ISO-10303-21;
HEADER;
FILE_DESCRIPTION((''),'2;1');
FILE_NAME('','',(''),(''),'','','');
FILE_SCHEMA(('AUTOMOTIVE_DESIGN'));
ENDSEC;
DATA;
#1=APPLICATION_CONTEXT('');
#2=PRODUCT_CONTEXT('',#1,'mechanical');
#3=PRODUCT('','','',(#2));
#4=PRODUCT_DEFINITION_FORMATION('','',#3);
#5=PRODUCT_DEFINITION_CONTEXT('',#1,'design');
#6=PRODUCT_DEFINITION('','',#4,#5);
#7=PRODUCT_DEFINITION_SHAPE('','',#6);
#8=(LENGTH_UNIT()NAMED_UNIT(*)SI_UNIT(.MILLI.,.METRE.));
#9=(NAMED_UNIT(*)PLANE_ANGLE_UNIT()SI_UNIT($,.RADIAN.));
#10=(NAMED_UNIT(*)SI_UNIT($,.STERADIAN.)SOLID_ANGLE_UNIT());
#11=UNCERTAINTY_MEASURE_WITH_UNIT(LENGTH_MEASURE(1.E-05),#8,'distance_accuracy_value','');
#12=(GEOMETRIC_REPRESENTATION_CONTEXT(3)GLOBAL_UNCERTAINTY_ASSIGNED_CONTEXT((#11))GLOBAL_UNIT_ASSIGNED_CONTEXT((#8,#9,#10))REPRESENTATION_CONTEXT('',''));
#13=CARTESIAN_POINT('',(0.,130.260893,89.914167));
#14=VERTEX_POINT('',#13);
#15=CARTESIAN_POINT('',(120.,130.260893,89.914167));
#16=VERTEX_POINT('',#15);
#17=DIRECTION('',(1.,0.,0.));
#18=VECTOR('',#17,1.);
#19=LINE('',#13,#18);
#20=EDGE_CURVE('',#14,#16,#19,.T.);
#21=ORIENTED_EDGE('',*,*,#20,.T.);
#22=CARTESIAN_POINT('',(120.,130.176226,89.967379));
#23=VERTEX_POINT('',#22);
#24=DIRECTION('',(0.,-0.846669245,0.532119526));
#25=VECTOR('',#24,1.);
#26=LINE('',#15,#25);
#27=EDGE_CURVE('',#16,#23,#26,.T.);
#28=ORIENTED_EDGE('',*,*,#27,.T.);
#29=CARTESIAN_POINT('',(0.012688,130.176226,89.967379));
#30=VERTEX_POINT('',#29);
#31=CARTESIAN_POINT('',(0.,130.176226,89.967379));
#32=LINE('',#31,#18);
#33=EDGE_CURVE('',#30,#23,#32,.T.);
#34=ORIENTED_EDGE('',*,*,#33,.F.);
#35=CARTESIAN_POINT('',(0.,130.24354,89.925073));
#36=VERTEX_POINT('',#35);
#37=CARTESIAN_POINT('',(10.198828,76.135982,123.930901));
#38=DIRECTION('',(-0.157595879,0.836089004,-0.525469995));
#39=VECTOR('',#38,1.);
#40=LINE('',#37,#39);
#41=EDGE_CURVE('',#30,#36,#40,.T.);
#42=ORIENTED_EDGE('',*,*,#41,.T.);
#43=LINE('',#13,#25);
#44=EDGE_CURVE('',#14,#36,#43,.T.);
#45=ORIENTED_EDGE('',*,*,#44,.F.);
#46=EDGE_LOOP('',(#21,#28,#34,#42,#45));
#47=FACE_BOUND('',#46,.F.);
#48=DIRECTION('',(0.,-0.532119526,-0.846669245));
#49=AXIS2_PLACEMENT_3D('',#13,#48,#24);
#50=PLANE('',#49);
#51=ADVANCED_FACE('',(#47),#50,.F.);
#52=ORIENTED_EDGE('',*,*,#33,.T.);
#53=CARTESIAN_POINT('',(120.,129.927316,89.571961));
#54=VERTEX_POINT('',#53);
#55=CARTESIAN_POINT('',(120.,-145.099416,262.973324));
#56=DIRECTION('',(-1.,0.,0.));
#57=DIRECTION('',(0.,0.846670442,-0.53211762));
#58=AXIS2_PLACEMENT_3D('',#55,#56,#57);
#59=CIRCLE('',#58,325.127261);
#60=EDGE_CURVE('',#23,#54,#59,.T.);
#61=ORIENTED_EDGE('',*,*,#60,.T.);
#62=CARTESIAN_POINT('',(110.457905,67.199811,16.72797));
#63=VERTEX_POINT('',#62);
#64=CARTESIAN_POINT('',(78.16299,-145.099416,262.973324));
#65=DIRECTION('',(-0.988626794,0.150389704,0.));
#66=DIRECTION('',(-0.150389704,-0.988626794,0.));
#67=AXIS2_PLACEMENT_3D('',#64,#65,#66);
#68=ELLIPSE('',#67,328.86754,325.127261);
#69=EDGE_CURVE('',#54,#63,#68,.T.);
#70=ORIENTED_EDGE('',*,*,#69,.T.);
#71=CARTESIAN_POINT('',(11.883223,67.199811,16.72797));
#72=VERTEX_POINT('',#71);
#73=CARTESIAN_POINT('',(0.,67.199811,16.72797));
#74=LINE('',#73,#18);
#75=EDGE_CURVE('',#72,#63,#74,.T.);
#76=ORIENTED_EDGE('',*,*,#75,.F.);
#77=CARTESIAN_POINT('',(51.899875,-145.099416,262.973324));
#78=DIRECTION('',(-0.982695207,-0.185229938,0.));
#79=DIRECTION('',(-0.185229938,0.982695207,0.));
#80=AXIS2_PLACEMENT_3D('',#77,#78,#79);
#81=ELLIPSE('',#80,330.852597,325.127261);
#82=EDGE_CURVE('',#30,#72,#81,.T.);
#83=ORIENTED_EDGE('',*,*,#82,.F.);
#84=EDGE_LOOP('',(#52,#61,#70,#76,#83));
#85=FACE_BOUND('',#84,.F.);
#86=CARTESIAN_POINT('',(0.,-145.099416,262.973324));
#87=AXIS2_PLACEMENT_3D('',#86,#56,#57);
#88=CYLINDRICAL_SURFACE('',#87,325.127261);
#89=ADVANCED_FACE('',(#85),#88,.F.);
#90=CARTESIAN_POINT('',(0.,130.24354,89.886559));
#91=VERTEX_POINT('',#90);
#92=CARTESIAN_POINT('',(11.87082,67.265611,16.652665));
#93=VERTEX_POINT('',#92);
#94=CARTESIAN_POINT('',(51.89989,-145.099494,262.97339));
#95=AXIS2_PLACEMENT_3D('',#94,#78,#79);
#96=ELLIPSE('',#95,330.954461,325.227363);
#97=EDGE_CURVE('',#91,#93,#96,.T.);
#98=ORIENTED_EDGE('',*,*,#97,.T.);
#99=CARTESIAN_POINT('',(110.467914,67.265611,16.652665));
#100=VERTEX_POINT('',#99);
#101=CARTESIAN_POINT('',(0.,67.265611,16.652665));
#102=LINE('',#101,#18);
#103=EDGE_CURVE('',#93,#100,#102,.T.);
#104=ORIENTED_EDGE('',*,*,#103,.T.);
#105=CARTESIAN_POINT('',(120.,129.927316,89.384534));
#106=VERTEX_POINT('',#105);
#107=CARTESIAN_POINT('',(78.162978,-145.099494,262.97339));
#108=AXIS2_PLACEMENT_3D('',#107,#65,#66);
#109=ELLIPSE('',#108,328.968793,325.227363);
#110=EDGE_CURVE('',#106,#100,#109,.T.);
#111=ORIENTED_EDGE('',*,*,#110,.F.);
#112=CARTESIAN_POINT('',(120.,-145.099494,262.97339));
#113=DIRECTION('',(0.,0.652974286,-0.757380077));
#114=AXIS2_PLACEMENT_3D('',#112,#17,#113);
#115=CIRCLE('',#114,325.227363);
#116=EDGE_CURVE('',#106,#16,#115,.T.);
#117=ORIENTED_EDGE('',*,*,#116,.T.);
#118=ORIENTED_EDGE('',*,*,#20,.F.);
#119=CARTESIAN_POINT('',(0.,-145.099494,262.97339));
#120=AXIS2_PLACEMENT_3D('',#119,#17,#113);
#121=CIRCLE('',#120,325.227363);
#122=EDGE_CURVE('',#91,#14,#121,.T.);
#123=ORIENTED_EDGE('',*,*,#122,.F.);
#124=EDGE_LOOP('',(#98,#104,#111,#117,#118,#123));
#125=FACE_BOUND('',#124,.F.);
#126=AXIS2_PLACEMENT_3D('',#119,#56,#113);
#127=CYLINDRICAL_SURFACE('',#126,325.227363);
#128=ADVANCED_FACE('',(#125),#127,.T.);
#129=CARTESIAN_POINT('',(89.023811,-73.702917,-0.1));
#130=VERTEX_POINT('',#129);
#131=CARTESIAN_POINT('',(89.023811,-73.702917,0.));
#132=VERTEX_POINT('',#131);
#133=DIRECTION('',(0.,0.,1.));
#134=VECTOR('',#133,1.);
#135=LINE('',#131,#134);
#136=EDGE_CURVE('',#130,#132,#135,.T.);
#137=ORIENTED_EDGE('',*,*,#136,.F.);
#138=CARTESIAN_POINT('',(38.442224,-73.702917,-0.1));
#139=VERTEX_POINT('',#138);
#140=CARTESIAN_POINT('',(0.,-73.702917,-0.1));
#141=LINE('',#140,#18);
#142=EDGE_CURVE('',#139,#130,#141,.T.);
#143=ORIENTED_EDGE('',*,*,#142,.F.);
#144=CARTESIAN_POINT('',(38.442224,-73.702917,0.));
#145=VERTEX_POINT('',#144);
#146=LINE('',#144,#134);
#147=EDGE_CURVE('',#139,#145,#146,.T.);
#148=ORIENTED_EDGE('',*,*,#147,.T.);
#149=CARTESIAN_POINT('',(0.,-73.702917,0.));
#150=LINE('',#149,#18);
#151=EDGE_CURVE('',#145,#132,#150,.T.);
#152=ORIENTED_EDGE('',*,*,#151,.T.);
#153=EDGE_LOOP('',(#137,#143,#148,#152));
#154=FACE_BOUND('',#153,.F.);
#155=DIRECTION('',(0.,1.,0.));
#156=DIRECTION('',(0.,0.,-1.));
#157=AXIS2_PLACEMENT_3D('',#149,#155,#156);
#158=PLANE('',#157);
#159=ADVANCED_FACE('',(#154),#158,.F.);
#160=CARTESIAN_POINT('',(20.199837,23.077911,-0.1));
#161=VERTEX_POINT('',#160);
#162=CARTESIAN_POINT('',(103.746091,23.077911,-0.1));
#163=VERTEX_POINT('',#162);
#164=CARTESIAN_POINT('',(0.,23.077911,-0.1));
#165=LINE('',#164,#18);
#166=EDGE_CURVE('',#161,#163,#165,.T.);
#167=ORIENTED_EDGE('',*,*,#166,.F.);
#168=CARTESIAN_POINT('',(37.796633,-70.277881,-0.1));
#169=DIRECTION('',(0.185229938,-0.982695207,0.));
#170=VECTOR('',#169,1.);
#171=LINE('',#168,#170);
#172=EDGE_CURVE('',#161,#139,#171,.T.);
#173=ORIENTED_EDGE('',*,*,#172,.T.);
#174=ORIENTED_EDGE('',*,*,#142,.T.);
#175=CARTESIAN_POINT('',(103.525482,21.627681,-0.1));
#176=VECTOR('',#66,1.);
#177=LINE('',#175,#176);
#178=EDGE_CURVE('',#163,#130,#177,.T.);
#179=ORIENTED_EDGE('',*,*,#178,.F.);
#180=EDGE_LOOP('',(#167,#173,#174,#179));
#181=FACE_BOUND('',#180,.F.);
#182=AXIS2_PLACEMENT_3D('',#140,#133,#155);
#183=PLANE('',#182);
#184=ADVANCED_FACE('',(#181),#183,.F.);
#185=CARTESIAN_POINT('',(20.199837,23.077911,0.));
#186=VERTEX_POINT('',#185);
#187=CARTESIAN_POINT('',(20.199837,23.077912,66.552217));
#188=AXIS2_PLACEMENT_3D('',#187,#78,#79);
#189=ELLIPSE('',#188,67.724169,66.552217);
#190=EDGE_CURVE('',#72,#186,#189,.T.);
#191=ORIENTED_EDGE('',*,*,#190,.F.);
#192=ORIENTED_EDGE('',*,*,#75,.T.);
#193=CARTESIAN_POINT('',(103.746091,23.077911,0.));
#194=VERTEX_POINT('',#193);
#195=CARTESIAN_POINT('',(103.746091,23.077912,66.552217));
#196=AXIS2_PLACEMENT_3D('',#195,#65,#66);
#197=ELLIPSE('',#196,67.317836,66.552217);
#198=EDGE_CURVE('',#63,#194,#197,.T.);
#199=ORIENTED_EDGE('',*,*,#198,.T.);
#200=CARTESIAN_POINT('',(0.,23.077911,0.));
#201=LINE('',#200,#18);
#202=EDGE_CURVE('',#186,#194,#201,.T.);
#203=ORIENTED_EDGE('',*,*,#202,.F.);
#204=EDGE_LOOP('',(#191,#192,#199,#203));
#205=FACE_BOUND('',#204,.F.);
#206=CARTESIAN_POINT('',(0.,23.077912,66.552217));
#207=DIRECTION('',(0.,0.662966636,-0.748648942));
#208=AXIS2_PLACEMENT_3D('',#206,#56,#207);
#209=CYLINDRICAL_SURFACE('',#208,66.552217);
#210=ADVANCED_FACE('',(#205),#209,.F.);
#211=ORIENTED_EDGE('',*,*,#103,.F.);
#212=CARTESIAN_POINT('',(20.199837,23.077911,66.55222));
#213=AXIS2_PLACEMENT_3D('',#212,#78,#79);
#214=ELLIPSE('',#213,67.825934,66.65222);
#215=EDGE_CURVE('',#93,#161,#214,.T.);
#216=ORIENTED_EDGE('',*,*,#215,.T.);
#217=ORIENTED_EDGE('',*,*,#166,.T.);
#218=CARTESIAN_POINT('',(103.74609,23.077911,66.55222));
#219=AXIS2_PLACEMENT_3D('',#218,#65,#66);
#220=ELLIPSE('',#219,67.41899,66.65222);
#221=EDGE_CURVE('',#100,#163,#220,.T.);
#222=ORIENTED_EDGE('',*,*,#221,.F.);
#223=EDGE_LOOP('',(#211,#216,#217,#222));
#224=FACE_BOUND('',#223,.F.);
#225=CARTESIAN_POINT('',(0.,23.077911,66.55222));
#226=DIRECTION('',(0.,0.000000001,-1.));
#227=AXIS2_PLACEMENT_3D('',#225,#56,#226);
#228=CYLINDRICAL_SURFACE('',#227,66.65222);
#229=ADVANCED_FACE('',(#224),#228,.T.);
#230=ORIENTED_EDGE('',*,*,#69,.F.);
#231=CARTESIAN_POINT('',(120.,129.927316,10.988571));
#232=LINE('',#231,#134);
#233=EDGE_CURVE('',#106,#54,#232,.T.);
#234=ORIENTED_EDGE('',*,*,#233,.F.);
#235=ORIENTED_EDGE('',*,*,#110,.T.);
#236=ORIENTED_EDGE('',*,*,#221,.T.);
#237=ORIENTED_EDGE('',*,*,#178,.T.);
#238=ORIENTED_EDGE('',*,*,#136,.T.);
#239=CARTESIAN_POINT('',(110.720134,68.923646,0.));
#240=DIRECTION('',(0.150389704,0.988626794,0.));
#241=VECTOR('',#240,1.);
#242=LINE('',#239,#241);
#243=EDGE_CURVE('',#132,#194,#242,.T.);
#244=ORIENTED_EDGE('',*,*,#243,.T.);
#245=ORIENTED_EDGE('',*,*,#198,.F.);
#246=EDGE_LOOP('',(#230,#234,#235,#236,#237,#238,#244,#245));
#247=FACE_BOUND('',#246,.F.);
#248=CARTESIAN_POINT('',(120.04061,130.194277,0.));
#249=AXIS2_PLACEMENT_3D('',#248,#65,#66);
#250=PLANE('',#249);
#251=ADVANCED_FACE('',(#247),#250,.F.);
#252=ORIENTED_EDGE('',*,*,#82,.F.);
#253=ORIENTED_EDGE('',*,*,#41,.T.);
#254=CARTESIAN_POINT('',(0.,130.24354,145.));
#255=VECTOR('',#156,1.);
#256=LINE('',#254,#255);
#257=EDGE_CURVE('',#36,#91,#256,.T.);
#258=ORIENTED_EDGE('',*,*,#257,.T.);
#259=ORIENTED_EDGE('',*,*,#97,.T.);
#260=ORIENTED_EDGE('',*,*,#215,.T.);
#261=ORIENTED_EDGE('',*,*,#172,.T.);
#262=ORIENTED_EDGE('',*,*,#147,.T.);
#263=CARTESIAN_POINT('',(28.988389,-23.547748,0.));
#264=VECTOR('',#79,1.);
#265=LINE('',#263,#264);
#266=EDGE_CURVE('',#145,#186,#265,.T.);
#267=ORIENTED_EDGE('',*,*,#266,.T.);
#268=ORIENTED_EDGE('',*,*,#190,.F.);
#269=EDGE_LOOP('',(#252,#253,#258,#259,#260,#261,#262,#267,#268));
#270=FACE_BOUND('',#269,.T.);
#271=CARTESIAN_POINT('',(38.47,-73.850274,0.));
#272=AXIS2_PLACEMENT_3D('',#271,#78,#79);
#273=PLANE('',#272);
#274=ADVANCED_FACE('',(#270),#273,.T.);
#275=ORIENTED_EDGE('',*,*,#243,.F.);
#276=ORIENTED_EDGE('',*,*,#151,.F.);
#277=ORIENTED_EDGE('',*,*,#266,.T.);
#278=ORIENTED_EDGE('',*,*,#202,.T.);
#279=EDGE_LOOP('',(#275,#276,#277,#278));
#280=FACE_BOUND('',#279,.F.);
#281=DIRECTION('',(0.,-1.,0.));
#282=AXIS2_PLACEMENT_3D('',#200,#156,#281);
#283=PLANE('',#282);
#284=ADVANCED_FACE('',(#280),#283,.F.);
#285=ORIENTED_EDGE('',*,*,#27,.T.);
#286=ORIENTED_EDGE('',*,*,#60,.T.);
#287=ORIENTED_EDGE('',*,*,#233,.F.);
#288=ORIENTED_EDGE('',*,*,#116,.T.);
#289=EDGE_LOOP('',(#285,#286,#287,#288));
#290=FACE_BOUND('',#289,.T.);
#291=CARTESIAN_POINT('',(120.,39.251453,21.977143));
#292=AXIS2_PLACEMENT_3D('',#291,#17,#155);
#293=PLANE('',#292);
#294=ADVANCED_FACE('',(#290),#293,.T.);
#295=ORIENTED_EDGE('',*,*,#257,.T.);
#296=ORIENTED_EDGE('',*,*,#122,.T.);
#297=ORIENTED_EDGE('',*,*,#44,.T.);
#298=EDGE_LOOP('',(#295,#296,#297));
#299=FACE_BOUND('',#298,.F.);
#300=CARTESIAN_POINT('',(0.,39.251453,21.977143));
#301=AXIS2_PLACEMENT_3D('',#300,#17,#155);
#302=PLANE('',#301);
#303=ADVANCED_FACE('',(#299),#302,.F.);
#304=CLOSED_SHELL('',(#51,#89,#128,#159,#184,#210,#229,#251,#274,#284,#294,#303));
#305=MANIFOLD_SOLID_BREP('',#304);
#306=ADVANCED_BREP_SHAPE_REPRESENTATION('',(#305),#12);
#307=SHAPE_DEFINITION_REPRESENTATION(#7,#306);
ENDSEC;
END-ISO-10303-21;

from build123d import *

# Parameters (mm, degrees)
F2_DEPTH = 120
F4_DEPTH = 145


with BuildPart() as f2:
    # F0 (on Right) → F2 (new body)
    with BuildSketch(Plane.YZ):
        with BuildLine():
            Line((23.077911, 0), (-73.702917, 0))
            Line((-73.702917, 0), (-73.702917, -0.1))
            Line((-73.702917, -0.1), (23.077911, -0.1))
            ThreePointArc((23.077911, -0.1), (46.706308, 4.228731), (67.265611, 16.652665))
            ThreePointArc((67.265611, 16.652665), (101.499068, 50.930973), (130.260893, 89.914167))
            Line((130.260893, 89.914167), (130.176226, 89.967379))
            ThreePointArc((130.176226, 89.967379), (101.423029, 50.995919), (67.199811, 16.72797))
            ThreePointArc((67.199811, 16.72797), (46.671168, 4.322354), (23.077911, 0))
        make_face()
    extrude(amount=F2_DEPTH)

    # F3 (on Top) → F4 (cut, symmetric)
    with BuildSketch(Plane.XY):
        Polygon((-37.878595, -99.638596), (0, -73.850274), (38.47, -73.850274), (0, 130.24354), (-3.183729, 133.665696), align=None)
        Polygon((89.001395, -73.850274), (120.108634, -73.850274), (258.561343, -143.556684), (134.18667, 128.497958), (121.706635, 131.587684), (120.04061, 130.194277), align=None)
    extrude(amount=F4_DEPTH, both=True, mode=Mode.SUBTRACT)


solid = f2.part
